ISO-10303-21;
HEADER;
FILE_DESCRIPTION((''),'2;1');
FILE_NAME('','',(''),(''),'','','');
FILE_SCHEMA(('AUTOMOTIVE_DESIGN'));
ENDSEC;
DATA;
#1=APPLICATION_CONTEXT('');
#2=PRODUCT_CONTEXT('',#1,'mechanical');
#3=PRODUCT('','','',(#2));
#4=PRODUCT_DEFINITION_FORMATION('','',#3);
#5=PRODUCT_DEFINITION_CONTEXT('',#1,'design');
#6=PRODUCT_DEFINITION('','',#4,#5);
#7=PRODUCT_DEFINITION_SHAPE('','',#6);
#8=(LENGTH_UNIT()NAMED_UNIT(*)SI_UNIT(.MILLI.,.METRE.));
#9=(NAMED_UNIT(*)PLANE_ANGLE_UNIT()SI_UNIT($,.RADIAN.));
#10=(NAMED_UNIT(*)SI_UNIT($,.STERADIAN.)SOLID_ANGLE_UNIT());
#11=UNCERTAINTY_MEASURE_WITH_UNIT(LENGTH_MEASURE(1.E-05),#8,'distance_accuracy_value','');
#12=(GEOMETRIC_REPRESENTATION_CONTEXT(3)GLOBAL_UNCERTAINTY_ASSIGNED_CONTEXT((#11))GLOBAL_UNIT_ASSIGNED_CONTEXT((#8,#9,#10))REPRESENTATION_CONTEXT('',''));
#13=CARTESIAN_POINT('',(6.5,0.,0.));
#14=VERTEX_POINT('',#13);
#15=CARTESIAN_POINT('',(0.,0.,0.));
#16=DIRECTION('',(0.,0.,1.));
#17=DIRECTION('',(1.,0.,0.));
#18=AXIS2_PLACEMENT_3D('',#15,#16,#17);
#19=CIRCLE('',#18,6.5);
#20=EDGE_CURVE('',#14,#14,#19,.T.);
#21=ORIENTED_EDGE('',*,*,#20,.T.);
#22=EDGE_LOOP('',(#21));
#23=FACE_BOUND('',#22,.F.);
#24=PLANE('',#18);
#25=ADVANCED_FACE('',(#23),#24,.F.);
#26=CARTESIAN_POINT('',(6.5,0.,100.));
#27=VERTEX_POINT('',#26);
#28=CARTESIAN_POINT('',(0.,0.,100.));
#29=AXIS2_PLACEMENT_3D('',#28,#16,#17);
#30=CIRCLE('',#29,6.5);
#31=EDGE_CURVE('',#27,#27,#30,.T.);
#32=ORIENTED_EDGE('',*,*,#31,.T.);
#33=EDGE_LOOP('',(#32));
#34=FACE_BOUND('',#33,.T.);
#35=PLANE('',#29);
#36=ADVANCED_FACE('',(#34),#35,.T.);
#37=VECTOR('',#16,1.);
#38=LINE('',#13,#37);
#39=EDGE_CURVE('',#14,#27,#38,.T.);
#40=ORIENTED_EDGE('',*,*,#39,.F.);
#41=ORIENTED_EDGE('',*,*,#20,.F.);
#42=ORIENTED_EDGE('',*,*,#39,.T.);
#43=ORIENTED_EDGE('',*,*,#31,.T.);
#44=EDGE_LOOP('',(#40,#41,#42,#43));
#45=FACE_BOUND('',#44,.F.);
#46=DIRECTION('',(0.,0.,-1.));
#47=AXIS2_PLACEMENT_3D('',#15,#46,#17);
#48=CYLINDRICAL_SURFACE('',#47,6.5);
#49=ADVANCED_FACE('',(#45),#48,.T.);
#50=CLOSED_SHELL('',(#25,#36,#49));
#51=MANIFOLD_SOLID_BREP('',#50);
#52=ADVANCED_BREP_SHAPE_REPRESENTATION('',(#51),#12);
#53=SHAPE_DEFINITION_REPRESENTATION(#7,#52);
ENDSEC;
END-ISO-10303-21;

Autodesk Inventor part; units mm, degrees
ref_plane "YZ Plane" through (0, 0, 0) normal (1, 0, 0) x (0, 1, 0)
ref_plane "XZ Plane" through (0, 0, 0) normal (0, 1, 0) x (-1, 0, 0)
ref_plane "XY Plane" through (0, 0, 0) normal (0, 0, 1) x (1, 0, 0)
sketch "Sketch1" plane through (0, 0, 0) normal (0, 0, 1) x (1, 0, 0)
  circle A0 centre (0, 0) radius 6.5
  dimension "d0" = 13
extrude "Extrusion1" add sketch "Sketch1" along normal blind 100
properties part number "pin"
